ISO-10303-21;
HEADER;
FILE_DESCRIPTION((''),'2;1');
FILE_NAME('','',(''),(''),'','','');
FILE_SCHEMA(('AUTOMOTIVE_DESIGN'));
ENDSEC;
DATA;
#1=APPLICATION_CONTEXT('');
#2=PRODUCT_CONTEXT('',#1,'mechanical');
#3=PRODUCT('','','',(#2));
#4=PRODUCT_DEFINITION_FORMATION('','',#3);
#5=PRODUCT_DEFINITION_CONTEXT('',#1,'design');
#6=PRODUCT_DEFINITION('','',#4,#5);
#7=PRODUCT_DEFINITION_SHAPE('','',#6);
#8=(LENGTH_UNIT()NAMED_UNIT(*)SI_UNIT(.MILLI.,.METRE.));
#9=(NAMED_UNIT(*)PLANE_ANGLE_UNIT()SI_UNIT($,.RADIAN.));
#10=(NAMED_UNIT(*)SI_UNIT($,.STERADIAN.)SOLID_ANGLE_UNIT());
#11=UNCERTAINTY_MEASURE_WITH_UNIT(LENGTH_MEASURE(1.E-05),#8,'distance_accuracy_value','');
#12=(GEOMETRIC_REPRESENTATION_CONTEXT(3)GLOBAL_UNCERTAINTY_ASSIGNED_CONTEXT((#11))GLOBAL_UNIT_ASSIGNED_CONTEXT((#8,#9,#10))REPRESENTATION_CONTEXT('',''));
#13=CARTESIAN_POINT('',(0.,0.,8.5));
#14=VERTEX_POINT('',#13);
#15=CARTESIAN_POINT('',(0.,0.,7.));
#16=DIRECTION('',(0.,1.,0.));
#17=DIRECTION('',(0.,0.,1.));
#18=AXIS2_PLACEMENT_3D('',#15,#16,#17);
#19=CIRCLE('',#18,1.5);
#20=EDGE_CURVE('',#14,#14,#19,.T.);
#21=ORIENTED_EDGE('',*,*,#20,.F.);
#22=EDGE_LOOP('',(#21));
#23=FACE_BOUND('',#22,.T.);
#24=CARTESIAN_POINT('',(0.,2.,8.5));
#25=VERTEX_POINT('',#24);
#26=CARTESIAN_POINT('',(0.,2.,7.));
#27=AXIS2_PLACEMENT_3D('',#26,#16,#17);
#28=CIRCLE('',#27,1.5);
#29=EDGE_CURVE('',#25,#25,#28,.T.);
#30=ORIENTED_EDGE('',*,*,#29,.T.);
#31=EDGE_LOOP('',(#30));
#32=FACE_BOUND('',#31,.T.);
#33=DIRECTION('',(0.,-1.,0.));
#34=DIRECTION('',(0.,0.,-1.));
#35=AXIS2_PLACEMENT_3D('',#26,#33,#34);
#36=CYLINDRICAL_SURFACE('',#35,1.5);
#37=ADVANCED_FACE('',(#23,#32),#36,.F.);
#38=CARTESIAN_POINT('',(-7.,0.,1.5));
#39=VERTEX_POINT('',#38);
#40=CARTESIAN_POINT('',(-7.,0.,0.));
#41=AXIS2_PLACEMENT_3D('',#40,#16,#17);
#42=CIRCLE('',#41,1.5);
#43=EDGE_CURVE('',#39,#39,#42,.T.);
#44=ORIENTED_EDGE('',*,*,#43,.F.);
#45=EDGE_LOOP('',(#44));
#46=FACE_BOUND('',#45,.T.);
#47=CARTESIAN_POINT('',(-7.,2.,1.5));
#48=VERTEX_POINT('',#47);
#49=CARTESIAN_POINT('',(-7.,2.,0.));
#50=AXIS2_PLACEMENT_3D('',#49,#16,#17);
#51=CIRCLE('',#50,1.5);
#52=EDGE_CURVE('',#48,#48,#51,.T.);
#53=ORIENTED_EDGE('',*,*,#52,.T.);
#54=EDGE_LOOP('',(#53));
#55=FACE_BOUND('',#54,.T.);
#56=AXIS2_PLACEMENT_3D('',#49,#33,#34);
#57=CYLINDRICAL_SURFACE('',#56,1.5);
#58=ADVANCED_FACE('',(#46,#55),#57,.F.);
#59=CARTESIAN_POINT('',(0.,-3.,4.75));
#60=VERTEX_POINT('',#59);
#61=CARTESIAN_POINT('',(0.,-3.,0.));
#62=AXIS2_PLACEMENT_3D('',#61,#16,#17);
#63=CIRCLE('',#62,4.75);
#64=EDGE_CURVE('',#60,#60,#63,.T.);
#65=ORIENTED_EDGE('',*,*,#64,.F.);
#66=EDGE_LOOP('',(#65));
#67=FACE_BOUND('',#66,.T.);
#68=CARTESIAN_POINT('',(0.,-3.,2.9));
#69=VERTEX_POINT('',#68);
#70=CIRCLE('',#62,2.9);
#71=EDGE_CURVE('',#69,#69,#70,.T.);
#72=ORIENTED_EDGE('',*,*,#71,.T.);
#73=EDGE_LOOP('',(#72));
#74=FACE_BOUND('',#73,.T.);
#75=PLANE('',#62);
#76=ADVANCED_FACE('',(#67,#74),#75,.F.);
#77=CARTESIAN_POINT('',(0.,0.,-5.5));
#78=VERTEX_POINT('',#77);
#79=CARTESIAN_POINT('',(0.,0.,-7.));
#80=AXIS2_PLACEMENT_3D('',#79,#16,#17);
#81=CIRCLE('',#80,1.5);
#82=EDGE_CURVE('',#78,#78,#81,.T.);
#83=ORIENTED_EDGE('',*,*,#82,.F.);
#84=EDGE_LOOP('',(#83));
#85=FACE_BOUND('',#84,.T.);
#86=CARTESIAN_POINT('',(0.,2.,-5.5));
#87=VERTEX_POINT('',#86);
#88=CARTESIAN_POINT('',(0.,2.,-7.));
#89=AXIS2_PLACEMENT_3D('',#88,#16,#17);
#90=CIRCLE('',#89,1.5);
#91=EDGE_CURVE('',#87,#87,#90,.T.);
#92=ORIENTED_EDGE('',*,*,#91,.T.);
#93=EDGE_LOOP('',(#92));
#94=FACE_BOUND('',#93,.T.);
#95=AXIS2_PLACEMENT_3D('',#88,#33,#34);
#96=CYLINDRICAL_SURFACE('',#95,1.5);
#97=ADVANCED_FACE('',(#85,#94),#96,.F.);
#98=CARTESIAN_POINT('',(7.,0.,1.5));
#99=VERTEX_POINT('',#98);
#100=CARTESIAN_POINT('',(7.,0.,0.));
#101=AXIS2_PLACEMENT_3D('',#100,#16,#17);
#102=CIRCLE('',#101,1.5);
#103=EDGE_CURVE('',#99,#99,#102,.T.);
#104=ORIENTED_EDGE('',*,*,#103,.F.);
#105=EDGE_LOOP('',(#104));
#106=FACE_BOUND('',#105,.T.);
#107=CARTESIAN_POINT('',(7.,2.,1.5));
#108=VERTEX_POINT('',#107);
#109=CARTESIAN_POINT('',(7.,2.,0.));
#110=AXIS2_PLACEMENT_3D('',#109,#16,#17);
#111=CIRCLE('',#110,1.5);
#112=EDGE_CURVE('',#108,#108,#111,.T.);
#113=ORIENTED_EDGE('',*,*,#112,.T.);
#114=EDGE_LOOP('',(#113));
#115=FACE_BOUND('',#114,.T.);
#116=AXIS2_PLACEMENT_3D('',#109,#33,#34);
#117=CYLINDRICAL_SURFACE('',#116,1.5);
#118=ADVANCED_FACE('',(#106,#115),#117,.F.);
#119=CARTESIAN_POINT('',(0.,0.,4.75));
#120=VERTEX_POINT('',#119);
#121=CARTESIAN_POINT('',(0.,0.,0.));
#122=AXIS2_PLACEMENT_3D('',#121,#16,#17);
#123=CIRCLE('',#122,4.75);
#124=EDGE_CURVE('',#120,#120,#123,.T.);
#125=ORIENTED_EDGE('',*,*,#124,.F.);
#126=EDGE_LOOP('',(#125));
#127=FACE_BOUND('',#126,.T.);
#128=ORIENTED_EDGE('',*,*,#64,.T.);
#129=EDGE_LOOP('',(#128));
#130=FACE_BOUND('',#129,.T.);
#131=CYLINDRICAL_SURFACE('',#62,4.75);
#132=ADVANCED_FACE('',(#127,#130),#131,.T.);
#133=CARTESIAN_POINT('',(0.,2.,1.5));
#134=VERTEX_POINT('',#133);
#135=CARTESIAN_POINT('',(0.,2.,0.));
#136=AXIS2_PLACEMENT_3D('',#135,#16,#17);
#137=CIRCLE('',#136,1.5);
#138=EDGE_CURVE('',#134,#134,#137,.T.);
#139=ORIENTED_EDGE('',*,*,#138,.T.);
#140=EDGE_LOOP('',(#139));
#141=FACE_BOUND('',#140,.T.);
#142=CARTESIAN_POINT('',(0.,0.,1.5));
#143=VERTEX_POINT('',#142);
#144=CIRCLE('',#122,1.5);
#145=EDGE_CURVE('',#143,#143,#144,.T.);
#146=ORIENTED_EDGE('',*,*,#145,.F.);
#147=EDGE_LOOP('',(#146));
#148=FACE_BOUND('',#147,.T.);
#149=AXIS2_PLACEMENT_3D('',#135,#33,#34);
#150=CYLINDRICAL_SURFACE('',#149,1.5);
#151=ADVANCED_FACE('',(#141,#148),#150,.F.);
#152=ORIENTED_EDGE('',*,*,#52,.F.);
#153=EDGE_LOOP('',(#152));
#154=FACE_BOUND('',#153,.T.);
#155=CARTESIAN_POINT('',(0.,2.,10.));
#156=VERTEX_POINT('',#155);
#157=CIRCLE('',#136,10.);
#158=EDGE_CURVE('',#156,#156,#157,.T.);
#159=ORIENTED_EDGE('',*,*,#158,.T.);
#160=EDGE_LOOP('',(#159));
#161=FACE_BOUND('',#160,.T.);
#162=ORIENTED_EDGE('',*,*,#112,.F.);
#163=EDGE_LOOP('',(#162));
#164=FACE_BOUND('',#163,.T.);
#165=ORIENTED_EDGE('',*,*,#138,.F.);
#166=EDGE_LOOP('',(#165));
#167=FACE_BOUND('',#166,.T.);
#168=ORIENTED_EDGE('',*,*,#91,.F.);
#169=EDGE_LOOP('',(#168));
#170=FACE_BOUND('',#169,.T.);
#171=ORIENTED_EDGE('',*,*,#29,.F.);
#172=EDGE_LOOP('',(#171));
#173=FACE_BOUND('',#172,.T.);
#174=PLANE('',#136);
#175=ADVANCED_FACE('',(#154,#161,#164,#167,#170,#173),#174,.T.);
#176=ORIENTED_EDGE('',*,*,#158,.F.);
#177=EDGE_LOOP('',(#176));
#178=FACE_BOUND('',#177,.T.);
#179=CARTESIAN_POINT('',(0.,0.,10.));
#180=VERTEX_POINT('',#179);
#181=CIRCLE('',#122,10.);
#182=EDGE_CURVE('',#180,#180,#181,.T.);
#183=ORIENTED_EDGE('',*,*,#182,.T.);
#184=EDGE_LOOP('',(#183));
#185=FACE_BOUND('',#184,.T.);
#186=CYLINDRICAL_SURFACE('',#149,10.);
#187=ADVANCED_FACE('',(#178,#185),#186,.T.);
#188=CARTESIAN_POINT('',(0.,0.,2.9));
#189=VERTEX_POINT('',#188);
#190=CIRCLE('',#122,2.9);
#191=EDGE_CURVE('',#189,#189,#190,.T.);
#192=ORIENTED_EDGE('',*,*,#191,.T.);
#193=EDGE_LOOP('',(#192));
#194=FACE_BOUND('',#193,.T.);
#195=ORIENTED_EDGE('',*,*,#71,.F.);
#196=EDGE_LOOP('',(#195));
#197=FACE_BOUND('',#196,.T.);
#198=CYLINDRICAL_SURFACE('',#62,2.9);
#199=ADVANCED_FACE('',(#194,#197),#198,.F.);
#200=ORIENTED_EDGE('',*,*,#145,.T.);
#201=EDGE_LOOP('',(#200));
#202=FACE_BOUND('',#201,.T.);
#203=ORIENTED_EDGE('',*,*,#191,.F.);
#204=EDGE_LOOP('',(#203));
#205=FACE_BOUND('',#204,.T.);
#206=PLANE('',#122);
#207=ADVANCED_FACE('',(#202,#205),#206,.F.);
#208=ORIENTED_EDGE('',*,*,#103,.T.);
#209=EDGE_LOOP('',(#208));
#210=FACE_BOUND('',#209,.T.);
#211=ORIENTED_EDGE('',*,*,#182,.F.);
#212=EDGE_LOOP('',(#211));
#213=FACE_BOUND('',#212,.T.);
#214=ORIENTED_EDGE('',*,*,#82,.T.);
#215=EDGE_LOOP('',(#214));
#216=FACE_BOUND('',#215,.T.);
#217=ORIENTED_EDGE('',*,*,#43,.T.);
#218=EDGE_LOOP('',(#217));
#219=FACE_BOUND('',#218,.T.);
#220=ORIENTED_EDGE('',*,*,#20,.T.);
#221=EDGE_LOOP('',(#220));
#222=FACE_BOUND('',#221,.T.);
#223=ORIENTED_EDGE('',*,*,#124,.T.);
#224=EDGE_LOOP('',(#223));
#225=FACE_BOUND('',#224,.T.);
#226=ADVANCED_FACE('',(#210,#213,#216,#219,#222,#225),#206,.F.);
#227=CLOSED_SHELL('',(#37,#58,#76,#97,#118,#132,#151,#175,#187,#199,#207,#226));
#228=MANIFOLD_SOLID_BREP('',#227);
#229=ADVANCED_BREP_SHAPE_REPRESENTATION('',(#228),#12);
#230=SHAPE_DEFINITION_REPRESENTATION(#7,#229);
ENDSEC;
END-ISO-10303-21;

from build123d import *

# Parameters (mm, degrees)
SKETCH1_R           = 10
SKETCH1_R_2         = 1.5
BOSS_EXTRUDE1_DEPTH = 2
SKETCH1_3_R         = 4.75
SKETCH1_3_R_2       = 2.9
BOSS_EXTRUDE2_DEPTH = 3


with BuildPart() as part:
    # Sketch1 → Boss-Extrude1 (new body)
    with BuildSketch(Plane(origin=(0, 0, 0), x_dir=(1, 0, 0), z_dir=(0, 1, 0))):
        Circle(SKETCH1_R)
        with Locations((0, -7)):
            Circle(SKETCH1_R_2, mode=Mode.SUBTRACT)
        with Locations((7, 0)):
            Circle(SKETCH1_R_2, mode=Mode.SUBTRACT)
        with Locations((-7, 0)):
            Circle(SKETCH1_R_2, mode=Mode.SUBTRACT)
        with Locations((0, 7)):
            Circle(SKETCH1_R_2, mode=Mode.SUBTRACT)
        Circle(SKETCH1_R_2, mode=Mode.SUBTRACT)
    extrude(amount=BOSS_EXTRUDE1_DEPTH)

    # Sketch1<3> → Boss-Extrude2 (add)
    with BuildSketch(Plane(origin=(0, 0, 0), x_dir=(1, 0, 0), z_dir=(0, 1, 0))):
        Circle(SKETCH1_3_R)
        Circle(SKETCH1_3_R_2, mode=Mode.SUBTRACT)
    extrude(amount=-BOSS_EXTRUDE2_DEPTH)


solid = part.part
